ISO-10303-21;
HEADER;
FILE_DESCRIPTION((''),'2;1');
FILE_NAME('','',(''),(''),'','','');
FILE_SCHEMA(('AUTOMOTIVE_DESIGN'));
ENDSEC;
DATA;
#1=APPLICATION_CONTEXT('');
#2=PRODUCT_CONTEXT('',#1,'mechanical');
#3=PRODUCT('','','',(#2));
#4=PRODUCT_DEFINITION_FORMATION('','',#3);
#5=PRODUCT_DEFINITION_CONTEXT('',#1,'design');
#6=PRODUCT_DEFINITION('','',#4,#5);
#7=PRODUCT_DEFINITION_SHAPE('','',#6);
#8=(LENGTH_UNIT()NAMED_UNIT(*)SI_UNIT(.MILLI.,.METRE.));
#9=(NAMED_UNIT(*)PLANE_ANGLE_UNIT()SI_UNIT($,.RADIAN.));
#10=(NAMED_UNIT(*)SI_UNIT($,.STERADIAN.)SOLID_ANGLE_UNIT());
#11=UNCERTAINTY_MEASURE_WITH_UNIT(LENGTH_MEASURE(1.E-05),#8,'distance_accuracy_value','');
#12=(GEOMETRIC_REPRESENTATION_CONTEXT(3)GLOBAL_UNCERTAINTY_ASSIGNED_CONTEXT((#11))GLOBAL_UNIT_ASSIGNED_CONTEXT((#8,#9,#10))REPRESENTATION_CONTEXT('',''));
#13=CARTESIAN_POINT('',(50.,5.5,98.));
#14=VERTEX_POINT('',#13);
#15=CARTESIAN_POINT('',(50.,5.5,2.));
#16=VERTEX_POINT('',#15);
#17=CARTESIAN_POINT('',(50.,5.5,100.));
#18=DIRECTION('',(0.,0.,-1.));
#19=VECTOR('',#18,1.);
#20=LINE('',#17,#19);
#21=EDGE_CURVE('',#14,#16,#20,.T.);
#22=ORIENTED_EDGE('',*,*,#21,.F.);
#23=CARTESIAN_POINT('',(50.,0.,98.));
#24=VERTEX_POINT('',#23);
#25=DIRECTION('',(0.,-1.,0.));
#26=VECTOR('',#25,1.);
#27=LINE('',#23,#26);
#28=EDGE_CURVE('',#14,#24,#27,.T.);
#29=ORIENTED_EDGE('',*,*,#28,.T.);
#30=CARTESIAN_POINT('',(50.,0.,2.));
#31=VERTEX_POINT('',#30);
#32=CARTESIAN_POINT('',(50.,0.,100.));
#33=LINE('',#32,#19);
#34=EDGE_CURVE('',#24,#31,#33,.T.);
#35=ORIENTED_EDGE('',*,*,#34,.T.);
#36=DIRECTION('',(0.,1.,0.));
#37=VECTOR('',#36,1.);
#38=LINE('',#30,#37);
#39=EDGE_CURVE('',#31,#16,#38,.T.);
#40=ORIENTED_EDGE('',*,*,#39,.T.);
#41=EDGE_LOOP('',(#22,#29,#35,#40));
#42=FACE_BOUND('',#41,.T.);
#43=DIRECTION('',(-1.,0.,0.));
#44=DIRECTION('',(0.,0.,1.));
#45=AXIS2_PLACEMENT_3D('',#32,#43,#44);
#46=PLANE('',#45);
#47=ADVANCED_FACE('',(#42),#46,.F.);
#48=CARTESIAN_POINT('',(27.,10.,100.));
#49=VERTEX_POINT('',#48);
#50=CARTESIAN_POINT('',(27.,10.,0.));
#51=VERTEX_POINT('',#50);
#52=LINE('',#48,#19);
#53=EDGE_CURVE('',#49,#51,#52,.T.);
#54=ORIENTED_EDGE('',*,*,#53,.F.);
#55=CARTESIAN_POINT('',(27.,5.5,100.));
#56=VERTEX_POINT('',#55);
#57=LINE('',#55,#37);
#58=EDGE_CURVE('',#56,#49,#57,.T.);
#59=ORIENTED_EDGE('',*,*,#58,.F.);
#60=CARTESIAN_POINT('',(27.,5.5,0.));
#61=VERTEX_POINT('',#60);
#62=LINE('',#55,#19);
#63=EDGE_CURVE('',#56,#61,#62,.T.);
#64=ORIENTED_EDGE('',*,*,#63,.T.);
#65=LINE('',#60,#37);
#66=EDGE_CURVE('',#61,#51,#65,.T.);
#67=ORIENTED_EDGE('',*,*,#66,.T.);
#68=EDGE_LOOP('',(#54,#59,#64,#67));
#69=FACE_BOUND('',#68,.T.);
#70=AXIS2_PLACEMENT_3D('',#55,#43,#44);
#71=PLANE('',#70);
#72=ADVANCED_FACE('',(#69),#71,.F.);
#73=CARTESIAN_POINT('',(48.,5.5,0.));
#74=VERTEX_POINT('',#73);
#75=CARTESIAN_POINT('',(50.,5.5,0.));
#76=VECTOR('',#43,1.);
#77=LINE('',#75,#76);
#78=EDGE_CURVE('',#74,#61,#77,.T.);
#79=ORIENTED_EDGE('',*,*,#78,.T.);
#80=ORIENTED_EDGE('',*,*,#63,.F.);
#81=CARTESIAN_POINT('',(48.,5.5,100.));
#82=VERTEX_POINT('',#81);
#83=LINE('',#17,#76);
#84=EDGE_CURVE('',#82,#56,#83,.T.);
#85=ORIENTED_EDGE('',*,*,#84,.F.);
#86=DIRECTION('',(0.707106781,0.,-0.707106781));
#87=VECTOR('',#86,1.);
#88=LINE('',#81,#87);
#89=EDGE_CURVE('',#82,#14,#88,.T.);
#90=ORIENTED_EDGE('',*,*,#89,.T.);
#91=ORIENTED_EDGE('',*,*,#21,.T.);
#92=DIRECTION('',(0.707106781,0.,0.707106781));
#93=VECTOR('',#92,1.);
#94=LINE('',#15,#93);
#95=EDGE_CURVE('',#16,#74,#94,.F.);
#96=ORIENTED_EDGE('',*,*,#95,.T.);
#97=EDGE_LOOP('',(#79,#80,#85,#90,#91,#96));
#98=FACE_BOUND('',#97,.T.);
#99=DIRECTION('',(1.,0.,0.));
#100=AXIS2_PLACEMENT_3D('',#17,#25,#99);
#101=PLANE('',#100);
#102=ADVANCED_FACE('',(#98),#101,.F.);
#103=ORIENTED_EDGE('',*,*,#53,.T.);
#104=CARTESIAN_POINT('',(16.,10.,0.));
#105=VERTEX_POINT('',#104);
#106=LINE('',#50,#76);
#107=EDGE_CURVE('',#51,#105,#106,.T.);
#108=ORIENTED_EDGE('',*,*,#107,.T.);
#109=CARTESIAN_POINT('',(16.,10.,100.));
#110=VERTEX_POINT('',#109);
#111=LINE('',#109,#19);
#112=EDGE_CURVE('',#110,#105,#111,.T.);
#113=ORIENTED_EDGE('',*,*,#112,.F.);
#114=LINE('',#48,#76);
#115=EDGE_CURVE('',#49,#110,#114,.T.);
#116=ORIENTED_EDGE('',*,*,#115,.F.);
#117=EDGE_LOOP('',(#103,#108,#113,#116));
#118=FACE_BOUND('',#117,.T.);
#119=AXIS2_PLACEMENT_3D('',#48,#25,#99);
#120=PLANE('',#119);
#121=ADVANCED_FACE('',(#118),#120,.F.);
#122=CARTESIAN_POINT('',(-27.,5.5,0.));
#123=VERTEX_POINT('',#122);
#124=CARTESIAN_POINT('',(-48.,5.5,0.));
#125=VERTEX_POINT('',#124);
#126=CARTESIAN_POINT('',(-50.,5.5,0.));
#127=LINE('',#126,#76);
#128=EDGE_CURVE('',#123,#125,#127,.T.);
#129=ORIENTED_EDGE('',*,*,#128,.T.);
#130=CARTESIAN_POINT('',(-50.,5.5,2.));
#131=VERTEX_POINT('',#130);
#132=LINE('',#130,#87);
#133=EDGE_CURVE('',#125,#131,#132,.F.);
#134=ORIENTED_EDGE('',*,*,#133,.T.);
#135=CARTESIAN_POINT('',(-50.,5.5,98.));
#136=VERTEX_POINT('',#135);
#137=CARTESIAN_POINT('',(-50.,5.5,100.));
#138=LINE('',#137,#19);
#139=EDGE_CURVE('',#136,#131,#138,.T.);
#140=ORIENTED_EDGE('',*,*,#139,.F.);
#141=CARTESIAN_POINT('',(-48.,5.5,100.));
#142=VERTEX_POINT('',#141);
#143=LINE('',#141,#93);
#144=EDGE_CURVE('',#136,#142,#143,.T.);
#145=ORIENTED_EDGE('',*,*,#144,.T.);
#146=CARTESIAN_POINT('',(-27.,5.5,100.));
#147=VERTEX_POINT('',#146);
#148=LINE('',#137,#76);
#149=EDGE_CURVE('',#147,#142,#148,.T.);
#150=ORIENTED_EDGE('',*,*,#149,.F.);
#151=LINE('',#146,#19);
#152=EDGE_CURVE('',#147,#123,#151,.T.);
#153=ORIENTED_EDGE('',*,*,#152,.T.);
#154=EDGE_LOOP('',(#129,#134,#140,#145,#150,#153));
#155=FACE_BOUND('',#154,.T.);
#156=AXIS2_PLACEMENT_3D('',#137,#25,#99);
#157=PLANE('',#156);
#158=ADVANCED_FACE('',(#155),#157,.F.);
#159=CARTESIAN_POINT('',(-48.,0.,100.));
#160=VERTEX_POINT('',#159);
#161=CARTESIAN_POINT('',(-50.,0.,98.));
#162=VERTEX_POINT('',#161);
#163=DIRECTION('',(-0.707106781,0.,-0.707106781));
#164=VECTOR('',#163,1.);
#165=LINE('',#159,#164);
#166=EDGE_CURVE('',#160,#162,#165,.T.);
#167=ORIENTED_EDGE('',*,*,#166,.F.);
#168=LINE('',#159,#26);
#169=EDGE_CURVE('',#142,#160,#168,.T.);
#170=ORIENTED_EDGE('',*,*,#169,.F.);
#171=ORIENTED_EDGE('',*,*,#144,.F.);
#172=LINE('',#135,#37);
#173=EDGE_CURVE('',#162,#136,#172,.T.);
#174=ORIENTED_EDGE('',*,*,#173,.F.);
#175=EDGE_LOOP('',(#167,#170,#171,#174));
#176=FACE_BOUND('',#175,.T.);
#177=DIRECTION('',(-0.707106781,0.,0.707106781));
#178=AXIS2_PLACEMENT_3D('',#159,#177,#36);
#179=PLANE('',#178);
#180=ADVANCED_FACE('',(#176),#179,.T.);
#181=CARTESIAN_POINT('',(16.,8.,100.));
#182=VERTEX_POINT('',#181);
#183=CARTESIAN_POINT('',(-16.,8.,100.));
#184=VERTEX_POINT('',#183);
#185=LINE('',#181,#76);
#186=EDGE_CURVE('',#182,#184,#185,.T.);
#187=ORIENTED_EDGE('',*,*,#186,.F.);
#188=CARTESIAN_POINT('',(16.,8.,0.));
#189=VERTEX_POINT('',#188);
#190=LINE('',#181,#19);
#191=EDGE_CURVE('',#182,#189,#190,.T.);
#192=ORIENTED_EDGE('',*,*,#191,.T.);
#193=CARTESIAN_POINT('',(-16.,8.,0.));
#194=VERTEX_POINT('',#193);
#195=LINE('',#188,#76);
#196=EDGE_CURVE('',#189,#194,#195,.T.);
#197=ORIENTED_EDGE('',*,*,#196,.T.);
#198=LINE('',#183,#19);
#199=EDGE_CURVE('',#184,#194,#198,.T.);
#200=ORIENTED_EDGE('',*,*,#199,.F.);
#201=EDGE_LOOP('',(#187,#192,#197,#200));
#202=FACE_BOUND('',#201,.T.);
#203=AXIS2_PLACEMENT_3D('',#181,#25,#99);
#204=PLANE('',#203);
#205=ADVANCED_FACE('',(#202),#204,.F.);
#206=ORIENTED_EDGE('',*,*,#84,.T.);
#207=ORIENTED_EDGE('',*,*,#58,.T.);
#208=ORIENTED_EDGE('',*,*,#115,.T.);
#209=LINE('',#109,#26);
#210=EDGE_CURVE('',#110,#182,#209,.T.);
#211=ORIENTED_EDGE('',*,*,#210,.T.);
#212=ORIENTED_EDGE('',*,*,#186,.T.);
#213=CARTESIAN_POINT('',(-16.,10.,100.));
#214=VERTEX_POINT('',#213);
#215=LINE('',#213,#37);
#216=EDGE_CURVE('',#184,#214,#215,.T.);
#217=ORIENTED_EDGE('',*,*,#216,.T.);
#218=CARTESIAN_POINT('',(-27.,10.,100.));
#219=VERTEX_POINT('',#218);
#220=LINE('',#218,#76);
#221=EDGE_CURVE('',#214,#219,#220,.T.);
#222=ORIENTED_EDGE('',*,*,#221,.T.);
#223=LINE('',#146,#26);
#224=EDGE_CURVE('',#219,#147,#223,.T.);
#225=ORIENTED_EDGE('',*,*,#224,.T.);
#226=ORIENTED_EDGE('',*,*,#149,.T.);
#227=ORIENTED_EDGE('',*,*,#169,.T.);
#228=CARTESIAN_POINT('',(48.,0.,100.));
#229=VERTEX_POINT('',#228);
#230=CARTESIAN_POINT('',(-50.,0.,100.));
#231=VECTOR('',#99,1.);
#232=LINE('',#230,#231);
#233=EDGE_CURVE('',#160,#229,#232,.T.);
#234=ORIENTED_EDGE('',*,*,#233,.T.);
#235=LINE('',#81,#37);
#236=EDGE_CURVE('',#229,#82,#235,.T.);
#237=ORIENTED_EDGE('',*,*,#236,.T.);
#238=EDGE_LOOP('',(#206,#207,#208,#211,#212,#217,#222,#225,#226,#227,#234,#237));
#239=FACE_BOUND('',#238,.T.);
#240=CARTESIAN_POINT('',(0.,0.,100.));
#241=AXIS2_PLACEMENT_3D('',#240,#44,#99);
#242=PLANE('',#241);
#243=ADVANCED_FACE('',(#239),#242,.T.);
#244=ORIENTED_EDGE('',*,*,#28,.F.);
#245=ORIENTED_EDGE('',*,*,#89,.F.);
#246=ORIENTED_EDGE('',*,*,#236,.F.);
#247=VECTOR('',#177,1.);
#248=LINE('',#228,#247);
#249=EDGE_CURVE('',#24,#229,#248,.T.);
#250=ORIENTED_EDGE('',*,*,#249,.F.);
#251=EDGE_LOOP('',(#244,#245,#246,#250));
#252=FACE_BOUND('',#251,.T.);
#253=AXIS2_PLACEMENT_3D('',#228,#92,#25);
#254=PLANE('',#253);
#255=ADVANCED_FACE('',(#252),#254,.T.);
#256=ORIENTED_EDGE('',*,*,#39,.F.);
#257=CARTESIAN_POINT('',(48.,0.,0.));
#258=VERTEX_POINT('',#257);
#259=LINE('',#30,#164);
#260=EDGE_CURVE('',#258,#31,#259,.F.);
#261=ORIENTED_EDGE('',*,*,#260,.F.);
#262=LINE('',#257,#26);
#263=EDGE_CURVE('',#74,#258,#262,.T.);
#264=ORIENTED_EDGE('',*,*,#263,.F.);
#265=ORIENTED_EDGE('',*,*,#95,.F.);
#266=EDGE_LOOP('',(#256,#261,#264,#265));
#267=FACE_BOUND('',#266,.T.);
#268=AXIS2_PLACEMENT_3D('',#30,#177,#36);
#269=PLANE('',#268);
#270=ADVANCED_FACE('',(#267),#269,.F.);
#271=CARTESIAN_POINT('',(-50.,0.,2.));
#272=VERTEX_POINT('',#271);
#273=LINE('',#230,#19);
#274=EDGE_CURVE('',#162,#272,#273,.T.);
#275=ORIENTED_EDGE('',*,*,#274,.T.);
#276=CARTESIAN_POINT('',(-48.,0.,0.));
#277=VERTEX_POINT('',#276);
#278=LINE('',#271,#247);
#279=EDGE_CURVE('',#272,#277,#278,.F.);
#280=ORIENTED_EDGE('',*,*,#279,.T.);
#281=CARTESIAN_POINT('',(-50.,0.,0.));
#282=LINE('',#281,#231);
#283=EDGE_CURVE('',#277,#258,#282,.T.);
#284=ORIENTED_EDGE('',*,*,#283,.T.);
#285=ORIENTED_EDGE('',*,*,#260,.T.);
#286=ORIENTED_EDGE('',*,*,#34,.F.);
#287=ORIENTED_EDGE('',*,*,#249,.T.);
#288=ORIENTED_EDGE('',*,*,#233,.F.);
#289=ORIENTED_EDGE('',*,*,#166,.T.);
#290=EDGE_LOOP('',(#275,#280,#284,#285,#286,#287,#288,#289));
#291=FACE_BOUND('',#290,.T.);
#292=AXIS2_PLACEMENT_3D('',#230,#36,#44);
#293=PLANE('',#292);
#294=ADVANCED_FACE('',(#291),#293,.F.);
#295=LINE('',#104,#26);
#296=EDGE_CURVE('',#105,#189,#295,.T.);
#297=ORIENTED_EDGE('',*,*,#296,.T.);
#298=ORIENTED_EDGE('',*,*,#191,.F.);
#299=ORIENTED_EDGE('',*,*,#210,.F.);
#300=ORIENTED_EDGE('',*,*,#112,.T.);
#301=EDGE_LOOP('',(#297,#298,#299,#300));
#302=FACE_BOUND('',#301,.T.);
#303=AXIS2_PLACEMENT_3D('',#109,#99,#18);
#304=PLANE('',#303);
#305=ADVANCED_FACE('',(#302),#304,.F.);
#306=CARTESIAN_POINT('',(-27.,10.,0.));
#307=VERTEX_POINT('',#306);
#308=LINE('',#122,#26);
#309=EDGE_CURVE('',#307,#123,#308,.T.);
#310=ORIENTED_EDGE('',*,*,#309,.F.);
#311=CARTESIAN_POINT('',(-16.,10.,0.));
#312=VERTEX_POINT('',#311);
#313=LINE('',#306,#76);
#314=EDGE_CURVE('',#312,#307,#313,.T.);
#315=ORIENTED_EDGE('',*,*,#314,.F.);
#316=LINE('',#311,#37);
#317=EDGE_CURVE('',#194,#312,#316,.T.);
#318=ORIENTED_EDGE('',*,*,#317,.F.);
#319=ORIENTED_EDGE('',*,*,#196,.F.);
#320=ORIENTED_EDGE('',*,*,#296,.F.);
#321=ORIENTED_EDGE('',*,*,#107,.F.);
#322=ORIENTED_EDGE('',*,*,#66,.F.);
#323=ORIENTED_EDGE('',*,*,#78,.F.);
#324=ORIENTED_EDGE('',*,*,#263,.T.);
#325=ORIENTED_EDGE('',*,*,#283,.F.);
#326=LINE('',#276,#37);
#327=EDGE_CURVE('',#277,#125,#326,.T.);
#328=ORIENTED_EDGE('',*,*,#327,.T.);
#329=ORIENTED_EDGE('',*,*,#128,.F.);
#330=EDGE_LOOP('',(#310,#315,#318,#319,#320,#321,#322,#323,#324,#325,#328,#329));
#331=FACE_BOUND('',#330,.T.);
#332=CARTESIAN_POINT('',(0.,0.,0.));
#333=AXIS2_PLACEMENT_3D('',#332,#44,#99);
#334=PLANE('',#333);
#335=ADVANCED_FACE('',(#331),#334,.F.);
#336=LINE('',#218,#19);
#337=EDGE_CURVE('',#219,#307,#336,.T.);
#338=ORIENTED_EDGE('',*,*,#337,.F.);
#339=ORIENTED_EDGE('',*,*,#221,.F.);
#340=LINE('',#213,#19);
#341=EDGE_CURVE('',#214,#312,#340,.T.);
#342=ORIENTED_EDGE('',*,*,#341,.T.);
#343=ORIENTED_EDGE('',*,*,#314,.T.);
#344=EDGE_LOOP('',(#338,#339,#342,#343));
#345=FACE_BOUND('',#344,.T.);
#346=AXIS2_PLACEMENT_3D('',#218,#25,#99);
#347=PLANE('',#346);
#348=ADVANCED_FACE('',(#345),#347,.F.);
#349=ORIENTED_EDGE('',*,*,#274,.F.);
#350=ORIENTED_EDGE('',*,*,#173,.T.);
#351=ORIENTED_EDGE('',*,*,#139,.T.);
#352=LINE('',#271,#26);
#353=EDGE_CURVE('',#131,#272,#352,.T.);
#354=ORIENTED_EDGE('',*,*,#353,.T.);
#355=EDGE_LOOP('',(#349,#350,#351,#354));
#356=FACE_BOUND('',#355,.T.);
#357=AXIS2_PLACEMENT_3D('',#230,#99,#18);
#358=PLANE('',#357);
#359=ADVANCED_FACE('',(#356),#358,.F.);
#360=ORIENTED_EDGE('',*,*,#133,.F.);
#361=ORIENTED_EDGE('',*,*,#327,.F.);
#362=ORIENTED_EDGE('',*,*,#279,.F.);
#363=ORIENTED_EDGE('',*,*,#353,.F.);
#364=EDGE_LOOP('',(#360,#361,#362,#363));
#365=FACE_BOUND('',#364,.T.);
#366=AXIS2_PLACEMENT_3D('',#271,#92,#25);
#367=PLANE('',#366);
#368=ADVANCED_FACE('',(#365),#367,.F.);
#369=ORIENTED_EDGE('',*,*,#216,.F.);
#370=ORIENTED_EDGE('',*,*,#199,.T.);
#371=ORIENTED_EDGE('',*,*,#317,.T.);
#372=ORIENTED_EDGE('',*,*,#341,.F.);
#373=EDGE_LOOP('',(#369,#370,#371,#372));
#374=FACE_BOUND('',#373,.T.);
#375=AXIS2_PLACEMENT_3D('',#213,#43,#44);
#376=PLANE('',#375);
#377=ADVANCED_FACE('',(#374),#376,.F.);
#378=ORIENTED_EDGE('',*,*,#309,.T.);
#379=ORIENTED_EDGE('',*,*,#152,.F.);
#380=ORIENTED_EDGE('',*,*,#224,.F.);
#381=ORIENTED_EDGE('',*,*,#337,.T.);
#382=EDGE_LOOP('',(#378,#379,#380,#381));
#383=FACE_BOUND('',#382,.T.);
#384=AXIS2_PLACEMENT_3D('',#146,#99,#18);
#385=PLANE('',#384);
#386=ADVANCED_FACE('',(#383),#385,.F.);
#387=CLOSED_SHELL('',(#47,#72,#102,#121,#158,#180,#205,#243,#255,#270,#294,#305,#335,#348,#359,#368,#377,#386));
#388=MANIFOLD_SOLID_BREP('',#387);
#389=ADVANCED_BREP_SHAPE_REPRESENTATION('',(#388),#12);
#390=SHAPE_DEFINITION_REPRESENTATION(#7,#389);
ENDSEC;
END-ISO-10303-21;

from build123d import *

# Parameters (mm, degrees)
BOSS_EXTRUDE1_DEPTH = 100
CHAMFER1_SIZE       = 2


with BuildPart() as part:
    # Sketch2 → Boss-Extrude1 (new body)
    with BuildSketch(Plane.XY):
        Polygon((-50, 0), (50, 0), (50, 5.5), (27, 5.5), (27, 10), (16, 10), (16, 8), (-16, 8), (-16, 10), (-27, 10), (-27, 5.5), (-50, 5.5), align=None)
    extrude(amount=BOSS_EXTRUDE1_DEPTH)

    # Chamfer1
    chamfer1_edges = [part.edges().sort_by_distance(p)[0] for p in [
        (-50, 2.75, 0),
        (50, 2.75, 0),
        (-50, 2.75, 100),
        (50, 2.75, 100),
    ]]
    chamfer(chamfer1_edges, length=CHAMFER1_SIZE)


solid = part.part
